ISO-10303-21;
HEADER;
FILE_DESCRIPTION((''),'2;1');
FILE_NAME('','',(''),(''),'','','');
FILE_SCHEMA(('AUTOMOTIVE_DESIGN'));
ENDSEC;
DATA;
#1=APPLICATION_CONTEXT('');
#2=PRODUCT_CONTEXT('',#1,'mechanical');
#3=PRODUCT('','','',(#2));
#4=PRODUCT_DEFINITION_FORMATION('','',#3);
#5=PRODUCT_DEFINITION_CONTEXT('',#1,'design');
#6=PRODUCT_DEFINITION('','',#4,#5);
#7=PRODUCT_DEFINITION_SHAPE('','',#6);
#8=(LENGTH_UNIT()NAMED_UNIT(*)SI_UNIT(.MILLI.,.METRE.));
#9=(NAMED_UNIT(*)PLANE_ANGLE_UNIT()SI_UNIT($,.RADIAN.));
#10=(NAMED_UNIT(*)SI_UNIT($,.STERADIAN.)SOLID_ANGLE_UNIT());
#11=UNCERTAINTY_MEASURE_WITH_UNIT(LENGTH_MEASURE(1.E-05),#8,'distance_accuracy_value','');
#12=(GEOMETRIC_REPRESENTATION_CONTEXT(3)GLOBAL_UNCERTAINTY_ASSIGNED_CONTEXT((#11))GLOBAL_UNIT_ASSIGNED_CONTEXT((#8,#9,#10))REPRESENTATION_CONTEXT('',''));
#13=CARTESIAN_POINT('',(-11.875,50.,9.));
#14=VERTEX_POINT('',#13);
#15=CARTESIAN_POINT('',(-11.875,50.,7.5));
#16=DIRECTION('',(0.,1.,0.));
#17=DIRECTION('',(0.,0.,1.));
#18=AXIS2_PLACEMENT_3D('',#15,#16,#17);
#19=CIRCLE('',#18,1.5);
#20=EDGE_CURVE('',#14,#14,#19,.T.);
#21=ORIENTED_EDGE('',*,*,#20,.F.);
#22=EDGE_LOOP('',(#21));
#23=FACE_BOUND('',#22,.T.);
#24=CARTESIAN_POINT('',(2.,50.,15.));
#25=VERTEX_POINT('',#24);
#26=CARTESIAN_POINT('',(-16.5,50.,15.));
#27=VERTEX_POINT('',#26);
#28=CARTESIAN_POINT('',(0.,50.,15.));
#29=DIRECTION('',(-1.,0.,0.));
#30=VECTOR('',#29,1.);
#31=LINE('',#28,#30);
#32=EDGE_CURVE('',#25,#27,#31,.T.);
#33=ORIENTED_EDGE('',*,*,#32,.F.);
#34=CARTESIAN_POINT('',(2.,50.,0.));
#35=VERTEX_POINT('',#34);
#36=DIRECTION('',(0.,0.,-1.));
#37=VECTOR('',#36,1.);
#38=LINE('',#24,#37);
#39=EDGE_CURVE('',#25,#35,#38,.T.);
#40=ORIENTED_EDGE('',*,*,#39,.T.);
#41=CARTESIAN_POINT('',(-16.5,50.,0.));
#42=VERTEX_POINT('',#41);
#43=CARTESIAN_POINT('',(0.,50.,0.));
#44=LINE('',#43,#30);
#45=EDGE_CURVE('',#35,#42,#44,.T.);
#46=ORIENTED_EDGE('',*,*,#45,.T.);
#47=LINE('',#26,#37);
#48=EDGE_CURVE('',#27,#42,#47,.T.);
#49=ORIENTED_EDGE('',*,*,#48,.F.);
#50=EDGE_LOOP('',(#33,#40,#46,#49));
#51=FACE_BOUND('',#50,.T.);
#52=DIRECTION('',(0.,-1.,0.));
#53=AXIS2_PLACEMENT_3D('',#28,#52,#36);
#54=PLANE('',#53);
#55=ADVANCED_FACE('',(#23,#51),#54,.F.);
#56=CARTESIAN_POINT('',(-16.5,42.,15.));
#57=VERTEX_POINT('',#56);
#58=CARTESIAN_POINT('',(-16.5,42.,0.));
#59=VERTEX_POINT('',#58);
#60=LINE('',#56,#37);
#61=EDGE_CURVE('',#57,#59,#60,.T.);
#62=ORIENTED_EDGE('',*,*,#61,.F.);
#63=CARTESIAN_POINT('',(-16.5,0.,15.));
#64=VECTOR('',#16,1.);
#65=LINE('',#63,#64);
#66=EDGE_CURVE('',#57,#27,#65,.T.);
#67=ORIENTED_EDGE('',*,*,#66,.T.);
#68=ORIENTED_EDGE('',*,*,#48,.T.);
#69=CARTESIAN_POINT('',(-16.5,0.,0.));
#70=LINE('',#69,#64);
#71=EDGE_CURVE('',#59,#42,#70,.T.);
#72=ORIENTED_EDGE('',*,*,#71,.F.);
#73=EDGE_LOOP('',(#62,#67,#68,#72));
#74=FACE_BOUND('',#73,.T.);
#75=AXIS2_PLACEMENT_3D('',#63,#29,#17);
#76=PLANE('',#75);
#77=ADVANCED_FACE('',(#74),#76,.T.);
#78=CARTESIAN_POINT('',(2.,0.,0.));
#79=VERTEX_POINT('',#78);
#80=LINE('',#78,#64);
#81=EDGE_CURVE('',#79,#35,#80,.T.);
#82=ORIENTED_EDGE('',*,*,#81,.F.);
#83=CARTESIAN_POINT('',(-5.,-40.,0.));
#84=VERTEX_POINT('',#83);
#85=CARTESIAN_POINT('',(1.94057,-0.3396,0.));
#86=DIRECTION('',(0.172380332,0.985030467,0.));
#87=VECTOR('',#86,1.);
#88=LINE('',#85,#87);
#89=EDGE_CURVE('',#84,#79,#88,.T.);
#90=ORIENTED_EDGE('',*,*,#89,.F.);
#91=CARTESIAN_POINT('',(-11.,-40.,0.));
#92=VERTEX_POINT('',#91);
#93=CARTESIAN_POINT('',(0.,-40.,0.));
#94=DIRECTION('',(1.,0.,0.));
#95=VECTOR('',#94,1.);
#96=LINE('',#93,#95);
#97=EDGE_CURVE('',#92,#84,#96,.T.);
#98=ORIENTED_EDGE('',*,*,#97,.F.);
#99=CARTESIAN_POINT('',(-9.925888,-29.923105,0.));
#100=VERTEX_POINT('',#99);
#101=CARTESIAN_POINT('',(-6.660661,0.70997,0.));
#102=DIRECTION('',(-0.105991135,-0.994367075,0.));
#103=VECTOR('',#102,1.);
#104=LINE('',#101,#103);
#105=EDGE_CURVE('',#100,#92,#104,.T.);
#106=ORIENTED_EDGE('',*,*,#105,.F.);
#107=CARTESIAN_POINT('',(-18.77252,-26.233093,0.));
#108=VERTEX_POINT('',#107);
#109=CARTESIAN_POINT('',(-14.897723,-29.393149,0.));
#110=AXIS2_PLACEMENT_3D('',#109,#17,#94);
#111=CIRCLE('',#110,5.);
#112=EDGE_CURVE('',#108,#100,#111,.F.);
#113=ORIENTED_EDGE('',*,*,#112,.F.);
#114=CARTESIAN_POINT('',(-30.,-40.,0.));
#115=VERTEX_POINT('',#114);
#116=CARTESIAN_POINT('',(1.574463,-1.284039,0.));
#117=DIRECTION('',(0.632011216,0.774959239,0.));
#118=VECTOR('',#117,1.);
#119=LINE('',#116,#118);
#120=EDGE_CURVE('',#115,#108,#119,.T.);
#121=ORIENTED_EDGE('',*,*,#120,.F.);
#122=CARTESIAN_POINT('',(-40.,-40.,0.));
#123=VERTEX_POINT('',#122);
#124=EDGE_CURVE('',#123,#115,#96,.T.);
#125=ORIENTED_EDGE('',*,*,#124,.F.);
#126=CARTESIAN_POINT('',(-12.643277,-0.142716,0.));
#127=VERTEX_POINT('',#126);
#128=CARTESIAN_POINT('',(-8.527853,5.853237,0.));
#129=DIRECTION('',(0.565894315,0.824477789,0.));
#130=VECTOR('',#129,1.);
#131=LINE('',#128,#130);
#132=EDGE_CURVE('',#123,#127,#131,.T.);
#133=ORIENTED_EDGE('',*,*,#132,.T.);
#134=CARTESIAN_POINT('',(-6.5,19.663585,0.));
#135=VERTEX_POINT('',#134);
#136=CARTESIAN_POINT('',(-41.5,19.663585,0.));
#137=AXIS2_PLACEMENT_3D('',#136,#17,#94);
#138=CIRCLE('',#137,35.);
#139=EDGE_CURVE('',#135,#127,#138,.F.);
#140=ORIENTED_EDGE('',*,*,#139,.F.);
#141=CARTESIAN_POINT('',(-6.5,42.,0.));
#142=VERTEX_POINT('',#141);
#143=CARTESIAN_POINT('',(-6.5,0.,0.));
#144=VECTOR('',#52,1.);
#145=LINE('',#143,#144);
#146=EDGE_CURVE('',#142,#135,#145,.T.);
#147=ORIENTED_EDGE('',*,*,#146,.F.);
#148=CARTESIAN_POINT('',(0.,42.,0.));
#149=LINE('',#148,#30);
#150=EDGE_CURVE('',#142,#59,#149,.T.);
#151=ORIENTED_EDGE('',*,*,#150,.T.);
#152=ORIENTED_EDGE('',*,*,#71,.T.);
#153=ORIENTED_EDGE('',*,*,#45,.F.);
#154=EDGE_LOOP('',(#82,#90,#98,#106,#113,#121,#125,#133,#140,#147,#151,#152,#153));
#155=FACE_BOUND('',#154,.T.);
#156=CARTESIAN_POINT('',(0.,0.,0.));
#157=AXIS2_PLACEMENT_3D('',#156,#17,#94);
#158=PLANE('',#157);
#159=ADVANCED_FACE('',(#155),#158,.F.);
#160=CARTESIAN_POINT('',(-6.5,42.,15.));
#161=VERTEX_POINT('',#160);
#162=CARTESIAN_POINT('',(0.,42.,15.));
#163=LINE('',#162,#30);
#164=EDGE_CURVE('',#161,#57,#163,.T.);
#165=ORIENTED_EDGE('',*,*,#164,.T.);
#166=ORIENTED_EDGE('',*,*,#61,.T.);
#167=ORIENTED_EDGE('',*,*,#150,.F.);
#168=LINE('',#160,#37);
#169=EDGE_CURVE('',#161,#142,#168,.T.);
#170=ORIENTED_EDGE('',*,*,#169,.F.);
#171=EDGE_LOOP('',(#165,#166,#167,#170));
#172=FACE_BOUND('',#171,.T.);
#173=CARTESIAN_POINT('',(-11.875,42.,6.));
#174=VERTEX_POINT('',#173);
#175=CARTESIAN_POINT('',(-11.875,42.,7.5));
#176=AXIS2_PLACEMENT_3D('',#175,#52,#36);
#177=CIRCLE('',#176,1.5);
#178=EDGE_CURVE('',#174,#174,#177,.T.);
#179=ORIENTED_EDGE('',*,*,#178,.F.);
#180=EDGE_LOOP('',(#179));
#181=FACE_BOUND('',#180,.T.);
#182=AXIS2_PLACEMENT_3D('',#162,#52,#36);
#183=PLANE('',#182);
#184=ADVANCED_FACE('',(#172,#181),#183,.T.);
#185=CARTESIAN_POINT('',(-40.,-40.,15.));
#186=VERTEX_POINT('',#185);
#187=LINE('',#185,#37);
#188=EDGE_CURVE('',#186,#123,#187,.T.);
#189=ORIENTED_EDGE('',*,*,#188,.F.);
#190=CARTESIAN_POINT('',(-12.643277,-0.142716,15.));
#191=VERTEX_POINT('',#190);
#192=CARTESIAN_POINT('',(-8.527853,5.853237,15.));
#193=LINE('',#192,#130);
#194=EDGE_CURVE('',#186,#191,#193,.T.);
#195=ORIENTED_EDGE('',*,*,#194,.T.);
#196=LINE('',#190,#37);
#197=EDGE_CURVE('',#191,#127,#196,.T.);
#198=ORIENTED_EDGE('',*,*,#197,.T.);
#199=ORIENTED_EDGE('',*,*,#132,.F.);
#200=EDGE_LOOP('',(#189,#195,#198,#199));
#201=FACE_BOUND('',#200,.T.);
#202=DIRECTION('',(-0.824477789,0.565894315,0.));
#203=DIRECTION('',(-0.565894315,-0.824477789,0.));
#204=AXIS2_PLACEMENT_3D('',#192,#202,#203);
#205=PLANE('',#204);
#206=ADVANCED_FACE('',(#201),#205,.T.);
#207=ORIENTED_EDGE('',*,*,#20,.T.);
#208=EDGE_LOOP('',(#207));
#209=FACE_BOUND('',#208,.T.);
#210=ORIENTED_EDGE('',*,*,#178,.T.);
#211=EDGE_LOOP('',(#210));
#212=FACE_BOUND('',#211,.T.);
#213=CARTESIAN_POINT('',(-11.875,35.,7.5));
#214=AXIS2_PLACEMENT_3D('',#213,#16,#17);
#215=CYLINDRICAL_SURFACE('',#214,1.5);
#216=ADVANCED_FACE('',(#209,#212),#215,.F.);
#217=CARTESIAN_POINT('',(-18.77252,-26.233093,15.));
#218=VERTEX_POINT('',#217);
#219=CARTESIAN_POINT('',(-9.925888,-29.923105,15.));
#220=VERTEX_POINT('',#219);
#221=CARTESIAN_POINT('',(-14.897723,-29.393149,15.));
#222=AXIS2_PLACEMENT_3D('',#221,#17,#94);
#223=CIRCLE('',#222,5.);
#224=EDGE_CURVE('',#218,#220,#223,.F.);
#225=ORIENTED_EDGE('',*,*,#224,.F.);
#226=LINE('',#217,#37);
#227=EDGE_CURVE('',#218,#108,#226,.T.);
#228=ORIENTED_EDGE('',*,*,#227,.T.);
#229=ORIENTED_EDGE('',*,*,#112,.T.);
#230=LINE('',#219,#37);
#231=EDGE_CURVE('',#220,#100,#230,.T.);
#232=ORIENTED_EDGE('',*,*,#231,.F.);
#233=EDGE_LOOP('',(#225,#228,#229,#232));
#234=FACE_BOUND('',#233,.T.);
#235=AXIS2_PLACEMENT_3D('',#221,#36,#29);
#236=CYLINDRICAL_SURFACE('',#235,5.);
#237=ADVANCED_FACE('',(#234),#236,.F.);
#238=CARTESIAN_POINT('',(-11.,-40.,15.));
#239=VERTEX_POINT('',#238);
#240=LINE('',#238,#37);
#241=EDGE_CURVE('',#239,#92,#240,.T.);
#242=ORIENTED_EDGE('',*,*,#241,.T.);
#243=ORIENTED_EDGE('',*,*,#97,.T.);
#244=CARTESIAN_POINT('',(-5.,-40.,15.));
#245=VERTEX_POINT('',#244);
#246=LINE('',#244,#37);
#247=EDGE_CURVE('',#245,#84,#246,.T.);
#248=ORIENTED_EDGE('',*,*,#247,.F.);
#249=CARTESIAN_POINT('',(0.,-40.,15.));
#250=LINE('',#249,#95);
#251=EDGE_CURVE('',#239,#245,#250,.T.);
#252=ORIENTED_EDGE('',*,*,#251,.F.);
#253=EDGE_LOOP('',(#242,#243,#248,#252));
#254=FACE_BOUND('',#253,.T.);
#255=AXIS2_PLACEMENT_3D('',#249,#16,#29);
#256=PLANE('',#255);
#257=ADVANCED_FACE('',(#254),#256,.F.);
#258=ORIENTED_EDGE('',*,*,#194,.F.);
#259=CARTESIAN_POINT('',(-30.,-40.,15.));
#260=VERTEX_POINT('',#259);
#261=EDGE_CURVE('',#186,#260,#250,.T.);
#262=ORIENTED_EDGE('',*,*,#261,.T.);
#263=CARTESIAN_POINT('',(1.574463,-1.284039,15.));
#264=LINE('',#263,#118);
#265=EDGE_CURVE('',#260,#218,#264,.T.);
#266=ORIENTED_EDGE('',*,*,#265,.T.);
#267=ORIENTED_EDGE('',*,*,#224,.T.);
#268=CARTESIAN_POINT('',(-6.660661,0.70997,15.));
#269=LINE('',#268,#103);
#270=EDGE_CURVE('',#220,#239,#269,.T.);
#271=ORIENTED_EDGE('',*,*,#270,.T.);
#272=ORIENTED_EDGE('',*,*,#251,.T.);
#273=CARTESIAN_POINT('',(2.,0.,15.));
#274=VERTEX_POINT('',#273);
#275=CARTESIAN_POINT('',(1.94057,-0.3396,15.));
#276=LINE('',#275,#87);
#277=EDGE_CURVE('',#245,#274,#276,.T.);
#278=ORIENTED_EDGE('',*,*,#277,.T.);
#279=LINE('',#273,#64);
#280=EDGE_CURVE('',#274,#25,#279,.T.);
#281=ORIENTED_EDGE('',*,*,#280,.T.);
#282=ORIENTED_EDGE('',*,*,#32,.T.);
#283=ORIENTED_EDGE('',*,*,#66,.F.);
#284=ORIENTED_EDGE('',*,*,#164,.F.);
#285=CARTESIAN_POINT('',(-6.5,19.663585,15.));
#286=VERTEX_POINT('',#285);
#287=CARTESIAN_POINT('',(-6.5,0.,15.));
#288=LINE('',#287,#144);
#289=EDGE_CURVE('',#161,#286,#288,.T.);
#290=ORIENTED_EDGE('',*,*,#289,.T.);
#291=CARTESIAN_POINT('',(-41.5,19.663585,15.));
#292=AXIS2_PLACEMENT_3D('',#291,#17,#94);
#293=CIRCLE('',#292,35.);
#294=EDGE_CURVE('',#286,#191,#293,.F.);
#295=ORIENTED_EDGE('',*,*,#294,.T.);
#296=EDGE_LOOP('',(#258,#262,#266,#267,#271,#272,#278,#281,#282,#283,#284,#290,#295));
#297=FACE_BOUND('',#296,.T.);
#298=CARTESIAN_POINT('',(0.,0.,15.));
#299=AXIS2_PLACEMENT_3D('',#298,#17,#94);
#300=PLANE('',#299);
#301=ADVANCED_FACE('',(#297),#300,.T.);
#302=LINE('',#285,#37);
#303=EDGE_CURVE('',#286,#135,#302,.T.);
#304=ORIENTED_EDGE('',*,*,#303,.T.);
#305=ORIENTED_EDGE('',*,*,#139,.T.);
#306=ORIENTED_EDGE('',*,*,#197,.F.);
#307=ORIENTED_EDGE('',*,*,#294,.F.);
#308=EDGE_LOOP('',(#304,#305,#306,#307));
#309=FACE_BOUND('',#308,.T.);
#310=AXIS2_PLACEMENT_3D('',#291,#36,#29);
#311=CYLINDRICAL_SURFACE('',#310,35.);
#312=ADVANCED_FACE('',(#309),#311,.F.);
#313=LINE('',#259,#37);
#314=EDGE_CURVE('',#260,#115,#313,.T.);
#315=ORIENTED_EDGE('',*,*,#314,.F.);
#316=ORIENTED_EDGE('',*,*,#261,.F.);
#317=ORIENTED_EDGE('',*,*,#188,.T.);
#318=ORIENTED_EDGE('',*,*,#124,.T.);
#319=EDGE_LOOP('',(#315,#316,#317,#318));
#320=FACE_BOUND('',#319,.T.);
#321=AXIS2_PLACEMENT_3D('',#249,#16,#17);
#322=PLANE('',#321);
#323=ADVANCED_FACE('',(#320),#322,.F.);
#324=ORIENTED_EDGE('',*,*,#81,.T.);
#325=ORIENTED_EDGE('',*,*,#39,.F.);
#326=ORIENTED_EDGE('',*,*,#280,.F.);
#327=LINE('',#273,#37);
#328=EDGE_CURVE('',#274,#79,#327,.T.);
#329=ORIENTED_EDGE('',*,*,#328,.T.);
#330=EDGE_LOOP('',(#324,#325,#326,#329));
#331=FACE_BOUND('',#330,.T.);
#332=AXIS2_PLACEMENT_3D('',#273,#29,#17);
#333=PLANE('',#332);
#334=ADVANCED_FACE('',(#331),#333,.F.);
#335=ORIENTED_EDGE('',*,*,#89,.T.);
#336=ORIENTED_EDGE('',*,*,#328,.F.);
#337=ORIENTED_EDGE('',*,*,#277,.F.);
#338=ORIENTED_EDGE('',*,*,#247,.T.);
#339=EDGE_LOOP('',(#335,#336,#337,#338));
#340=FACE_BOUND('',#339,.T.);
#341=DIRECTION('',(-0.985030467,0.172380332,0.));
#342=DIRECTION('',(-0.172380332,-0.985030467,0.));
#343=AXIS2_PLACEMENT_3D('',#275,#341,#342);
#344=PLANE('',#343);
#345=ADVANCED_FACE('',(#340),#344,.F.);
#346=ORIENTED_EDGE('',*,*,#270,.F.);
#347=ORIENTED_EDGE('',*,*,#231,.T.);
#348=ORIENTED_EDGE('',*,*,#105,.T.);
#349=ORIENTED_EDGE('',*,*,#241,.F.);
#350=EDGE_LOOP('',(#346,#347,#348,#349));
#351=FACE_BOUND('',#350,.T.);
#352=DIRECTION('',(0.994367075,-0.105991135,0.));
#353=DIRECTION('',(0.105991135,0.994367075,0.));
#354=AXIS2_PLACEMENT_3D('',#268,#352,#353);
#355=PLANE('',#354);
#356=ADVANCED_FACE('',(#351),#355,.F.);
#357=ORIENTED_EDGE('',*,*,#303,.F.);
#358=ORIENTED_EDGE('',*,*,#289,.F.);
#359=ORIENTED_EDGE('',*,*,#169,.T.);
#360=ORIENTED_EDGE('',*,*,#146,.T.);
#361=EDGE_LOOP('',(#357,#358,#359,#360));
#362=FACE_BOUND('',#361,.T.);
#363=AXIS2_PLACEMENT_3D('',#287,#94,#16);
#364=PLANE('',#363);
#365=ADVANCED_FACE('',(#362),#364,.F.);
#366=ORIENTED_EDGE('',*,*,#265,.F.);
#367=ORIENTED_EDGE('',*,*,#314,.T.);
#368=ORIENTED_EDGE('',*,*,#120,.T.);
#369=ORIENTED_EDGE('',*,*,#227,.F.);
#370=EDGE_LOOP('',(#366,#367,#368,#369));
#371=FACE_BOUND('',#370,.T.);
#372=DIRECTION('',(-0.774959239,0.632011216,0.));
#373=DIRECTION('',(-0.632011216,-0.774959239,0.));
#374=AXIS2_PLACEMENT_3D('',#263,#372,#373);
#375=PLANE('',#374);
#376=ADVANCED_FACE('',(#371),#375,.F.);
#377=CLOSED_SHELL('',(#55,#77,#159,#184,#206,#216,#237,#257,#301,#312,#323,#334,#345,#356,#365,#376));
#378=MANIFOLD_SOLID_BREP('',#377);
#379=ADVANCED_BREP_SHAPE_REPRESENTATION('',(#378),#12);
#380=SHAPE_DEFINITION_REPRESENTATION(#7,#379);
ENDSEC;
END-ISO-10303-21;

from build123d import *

# Parameters (mm, degrees)
BOSS_EXTRUDE1_DEPTH = 15
SKETCH2_R           = 1.5
CUT_EXTRUDE1_DEPTH  = 15


with BuildPart() as part:
    # Sketch1 → Boss-Extrude1 (new body)
    with BuildSketch(Plane.XY):
        with BuildLine():
            Line((-11, 42), (-6.5, 42))
            Line((-6.5, 42), (-6.5, 19.663584609))
            ThreePointArc((-6.5, 19.663584609), (-8.071080696, 9.29500929), (-12.643277381, -0.1427164))
            Line((-12.643277381, -0.1427164), (-40, -40))
            Line((-40, -40), (-30, -40))
            Line((-30, -40), (-18.772519607, -26.233092947))
            ThreePointArc((-18.772519607, -26.233092947), (-12.972906424, -24.778489823), (-9.925888036, -29.923104703))
            Line((-9.925888036, -29.923104703), (-11, -40))
            Line((-11, -40), (-5, -40))
            Line((-5, -40), (2, 0))
            Line((2, 0), (2, 30))
            Line((2, 30), (2, 50))
            Line((2, 50), (-11, 50))
            Line((-11, 50), (-16.5, 50))
            Line((-16.5, 50), (-16.5, 42))
            Line((-16.5, 42), (-11, 42))
        make_face()
    extrude(amount=BOSS_EXTRUDE1_DEPTH)

    # Sketch2 → Cut-Extrude1 (cut)
    with BuildSketch(Plane(origin=(0, 50, 0), x_dir=(1, 0, 0), z_dir=(0, 1, 0))):
        with Locations(Location((-11.875, -7.5, 0), (0, 0, 270))):
            Circle(SKETCH2_R)
    extrude(amount=-CUT_EXTRUDE1_DEPTH, mode=Mode.SUBTRACT)


solid = part.part
